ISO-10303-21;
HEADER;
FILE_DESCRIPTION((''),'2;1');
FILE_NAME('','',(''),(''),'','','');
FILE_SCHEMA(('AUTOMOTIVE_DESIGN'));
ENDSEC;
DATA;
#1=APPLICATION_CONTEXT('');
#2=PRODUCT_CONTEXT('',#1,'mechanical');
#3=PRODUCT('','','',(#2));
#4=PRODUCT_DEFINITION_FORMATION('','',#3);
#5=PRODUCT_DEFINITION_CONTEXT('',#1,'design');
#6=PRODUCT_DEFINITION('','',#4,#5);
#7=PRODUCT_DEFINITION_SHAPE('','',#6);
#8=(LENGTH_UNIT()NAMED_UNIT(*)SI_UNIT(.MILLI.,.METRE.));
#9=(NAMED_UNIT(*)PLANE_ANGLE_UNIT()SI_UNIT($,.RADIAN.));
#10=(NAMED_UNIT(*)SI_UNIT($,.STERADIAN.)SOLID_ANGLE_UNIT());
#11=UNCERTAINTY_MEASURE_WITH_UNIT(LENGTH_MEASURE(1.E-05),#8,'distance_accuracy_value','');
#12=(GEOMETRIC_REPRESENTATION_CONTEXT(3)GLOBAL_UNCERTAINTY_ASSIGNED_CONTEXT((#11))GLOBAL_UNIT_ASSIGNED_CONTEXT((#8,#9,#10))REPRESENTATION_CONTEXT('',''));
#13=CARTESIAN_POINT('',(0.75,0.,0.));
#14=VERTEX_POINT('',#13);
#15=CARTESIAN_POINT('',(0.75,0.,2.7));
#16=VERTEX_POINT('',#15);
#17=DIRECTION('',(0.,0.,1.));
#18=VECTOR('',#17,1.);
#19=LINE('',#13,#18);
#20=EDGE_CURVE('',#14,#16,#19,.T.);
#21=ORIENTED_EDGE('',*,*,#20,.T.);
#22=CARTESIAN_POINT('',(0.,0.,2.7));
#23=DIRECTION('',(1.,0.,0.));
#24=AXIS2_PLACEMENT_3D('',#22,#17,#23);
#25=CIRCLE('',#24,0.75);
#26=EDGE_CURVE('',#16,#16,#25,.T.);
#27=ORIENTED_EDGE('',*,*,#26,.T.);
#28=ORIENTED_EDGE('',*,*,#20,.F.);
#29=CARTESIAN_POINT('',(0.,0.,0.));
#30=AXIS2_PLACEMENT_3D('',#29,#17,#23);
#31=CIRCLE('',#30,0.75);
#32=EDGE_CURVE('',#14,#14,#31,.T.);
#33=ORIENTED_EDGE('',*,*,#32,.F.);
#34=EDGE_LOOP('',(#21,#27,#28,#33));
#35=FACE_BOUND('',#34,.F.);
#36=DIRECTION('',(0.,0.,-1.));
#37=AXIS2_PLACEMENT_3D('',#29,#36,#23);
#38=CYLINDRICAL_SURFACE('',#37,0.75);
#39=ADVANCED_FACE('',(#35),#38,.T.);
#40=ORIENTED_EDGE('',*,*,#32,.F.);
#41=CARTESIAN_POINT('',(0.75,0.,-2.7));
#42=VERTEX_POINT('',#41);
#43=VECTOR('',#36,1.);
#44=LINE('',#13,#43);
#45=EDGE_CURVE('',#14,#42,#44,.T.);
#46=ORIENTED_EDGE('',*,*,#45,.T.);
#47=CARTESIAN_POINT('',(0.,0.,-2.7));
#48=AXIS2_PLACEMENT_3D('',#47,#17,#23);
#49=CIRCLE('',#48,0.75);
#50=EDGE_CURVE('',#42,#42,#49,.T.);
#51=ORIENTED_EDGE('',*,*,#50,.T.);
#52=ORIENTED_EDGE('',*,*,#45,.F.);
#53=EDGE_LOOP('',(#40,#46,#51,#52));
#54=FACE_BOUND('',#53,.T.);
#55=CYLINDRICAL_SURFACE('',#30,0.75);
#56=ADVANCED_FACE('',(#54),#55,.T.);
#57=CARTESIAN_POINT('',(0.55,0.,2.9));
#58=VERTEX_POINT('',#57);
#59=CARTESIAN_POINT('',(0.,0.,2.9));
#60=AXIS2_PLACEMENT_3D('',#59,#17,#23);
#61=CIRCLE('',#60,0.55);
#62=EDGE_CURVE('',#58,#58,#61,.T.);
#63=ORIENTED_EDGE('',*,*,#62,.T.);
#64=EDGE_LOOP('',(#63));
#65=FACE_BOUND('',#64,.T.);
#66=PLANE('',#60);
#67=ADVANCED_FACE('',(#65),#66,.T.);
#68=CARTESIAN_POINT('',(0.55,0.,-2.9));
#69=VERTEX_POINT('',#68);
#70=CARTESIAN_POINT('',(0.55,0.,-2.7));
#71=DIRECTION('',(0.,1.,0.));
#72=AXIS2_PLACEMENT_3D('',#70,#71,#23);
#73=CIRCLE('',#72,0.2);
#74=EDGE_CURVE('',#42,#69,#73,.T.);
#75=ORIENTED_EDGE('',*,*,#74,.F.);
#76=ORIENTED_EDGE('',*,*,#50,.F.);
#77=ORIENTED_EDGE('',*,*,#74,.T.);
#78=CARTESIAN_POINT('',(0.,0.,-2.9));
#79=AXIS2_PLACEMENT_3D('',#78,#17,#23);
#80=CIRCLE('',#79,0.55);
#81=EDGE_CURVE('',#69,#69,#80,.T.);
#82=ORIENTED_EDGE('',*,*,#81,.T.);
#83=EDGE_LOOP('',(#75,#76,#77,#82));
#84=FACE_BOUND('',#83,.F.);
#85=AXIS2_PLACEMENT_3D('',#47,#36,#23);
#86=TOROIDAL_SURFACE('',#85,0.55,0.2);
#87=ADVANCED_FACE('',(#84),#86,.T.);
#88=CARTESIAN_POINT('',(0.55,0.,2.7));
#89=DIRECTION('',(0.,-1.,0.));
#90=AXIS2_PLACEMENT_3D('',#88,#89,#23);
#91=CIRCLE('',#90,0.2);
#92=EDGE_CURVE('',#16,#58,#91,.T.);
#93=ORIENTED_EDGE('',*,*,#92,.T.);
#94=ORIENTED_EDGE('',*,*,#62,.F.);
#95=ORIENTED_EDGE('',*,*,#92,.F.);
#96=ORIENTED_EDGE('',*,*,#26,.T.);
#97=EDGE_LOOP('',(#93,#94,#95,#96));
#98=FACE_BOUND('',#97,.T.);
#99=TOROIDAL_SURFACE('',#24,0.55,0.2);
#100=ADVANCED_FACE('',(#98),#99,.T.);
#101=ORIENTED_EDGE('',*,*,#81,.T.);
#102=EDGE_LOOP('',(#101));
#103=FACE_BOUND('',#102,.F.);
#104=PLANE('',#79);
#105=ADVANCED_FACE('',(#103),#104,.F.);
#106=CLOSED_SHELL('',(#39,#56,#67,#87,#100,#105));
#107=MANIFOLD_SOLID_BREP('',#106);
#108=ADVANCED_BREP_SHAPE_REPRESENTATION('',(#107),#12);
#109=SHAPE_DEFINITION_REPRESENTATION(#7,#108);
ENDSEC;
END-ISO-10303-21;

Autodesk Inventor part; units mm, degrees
ref_plane "YZ Plane" through (0, 0, 0) normal (1, 0, 0) x (0, 1, 0)
ref_plane "XZ Plane" through (0, 0, 0) normal (0, 1, 0) x (-1, 0, 0)
ref_plane "XY Plane" through (0, 0, 0) normal (0, 0, 1) x (1, 0, 0)
sketch "Sketch1" plane through (0, 0, 0) normal (0, 0, 1) x (1, 0, 0)
  circle A0 centre (0, 0) radius 0.75
  dimension "d0" = 1.5
extrude "Extrusion1" add sketch "Sketch1" along normal mid plane 5.8
fillet "Fillet1" radius 0.2 2 edges at (-0.75, 0, 2.9) (-0.75, 0, -2.9)
properties part number "pin 1.5x5.8" material "Stainless Steel"
